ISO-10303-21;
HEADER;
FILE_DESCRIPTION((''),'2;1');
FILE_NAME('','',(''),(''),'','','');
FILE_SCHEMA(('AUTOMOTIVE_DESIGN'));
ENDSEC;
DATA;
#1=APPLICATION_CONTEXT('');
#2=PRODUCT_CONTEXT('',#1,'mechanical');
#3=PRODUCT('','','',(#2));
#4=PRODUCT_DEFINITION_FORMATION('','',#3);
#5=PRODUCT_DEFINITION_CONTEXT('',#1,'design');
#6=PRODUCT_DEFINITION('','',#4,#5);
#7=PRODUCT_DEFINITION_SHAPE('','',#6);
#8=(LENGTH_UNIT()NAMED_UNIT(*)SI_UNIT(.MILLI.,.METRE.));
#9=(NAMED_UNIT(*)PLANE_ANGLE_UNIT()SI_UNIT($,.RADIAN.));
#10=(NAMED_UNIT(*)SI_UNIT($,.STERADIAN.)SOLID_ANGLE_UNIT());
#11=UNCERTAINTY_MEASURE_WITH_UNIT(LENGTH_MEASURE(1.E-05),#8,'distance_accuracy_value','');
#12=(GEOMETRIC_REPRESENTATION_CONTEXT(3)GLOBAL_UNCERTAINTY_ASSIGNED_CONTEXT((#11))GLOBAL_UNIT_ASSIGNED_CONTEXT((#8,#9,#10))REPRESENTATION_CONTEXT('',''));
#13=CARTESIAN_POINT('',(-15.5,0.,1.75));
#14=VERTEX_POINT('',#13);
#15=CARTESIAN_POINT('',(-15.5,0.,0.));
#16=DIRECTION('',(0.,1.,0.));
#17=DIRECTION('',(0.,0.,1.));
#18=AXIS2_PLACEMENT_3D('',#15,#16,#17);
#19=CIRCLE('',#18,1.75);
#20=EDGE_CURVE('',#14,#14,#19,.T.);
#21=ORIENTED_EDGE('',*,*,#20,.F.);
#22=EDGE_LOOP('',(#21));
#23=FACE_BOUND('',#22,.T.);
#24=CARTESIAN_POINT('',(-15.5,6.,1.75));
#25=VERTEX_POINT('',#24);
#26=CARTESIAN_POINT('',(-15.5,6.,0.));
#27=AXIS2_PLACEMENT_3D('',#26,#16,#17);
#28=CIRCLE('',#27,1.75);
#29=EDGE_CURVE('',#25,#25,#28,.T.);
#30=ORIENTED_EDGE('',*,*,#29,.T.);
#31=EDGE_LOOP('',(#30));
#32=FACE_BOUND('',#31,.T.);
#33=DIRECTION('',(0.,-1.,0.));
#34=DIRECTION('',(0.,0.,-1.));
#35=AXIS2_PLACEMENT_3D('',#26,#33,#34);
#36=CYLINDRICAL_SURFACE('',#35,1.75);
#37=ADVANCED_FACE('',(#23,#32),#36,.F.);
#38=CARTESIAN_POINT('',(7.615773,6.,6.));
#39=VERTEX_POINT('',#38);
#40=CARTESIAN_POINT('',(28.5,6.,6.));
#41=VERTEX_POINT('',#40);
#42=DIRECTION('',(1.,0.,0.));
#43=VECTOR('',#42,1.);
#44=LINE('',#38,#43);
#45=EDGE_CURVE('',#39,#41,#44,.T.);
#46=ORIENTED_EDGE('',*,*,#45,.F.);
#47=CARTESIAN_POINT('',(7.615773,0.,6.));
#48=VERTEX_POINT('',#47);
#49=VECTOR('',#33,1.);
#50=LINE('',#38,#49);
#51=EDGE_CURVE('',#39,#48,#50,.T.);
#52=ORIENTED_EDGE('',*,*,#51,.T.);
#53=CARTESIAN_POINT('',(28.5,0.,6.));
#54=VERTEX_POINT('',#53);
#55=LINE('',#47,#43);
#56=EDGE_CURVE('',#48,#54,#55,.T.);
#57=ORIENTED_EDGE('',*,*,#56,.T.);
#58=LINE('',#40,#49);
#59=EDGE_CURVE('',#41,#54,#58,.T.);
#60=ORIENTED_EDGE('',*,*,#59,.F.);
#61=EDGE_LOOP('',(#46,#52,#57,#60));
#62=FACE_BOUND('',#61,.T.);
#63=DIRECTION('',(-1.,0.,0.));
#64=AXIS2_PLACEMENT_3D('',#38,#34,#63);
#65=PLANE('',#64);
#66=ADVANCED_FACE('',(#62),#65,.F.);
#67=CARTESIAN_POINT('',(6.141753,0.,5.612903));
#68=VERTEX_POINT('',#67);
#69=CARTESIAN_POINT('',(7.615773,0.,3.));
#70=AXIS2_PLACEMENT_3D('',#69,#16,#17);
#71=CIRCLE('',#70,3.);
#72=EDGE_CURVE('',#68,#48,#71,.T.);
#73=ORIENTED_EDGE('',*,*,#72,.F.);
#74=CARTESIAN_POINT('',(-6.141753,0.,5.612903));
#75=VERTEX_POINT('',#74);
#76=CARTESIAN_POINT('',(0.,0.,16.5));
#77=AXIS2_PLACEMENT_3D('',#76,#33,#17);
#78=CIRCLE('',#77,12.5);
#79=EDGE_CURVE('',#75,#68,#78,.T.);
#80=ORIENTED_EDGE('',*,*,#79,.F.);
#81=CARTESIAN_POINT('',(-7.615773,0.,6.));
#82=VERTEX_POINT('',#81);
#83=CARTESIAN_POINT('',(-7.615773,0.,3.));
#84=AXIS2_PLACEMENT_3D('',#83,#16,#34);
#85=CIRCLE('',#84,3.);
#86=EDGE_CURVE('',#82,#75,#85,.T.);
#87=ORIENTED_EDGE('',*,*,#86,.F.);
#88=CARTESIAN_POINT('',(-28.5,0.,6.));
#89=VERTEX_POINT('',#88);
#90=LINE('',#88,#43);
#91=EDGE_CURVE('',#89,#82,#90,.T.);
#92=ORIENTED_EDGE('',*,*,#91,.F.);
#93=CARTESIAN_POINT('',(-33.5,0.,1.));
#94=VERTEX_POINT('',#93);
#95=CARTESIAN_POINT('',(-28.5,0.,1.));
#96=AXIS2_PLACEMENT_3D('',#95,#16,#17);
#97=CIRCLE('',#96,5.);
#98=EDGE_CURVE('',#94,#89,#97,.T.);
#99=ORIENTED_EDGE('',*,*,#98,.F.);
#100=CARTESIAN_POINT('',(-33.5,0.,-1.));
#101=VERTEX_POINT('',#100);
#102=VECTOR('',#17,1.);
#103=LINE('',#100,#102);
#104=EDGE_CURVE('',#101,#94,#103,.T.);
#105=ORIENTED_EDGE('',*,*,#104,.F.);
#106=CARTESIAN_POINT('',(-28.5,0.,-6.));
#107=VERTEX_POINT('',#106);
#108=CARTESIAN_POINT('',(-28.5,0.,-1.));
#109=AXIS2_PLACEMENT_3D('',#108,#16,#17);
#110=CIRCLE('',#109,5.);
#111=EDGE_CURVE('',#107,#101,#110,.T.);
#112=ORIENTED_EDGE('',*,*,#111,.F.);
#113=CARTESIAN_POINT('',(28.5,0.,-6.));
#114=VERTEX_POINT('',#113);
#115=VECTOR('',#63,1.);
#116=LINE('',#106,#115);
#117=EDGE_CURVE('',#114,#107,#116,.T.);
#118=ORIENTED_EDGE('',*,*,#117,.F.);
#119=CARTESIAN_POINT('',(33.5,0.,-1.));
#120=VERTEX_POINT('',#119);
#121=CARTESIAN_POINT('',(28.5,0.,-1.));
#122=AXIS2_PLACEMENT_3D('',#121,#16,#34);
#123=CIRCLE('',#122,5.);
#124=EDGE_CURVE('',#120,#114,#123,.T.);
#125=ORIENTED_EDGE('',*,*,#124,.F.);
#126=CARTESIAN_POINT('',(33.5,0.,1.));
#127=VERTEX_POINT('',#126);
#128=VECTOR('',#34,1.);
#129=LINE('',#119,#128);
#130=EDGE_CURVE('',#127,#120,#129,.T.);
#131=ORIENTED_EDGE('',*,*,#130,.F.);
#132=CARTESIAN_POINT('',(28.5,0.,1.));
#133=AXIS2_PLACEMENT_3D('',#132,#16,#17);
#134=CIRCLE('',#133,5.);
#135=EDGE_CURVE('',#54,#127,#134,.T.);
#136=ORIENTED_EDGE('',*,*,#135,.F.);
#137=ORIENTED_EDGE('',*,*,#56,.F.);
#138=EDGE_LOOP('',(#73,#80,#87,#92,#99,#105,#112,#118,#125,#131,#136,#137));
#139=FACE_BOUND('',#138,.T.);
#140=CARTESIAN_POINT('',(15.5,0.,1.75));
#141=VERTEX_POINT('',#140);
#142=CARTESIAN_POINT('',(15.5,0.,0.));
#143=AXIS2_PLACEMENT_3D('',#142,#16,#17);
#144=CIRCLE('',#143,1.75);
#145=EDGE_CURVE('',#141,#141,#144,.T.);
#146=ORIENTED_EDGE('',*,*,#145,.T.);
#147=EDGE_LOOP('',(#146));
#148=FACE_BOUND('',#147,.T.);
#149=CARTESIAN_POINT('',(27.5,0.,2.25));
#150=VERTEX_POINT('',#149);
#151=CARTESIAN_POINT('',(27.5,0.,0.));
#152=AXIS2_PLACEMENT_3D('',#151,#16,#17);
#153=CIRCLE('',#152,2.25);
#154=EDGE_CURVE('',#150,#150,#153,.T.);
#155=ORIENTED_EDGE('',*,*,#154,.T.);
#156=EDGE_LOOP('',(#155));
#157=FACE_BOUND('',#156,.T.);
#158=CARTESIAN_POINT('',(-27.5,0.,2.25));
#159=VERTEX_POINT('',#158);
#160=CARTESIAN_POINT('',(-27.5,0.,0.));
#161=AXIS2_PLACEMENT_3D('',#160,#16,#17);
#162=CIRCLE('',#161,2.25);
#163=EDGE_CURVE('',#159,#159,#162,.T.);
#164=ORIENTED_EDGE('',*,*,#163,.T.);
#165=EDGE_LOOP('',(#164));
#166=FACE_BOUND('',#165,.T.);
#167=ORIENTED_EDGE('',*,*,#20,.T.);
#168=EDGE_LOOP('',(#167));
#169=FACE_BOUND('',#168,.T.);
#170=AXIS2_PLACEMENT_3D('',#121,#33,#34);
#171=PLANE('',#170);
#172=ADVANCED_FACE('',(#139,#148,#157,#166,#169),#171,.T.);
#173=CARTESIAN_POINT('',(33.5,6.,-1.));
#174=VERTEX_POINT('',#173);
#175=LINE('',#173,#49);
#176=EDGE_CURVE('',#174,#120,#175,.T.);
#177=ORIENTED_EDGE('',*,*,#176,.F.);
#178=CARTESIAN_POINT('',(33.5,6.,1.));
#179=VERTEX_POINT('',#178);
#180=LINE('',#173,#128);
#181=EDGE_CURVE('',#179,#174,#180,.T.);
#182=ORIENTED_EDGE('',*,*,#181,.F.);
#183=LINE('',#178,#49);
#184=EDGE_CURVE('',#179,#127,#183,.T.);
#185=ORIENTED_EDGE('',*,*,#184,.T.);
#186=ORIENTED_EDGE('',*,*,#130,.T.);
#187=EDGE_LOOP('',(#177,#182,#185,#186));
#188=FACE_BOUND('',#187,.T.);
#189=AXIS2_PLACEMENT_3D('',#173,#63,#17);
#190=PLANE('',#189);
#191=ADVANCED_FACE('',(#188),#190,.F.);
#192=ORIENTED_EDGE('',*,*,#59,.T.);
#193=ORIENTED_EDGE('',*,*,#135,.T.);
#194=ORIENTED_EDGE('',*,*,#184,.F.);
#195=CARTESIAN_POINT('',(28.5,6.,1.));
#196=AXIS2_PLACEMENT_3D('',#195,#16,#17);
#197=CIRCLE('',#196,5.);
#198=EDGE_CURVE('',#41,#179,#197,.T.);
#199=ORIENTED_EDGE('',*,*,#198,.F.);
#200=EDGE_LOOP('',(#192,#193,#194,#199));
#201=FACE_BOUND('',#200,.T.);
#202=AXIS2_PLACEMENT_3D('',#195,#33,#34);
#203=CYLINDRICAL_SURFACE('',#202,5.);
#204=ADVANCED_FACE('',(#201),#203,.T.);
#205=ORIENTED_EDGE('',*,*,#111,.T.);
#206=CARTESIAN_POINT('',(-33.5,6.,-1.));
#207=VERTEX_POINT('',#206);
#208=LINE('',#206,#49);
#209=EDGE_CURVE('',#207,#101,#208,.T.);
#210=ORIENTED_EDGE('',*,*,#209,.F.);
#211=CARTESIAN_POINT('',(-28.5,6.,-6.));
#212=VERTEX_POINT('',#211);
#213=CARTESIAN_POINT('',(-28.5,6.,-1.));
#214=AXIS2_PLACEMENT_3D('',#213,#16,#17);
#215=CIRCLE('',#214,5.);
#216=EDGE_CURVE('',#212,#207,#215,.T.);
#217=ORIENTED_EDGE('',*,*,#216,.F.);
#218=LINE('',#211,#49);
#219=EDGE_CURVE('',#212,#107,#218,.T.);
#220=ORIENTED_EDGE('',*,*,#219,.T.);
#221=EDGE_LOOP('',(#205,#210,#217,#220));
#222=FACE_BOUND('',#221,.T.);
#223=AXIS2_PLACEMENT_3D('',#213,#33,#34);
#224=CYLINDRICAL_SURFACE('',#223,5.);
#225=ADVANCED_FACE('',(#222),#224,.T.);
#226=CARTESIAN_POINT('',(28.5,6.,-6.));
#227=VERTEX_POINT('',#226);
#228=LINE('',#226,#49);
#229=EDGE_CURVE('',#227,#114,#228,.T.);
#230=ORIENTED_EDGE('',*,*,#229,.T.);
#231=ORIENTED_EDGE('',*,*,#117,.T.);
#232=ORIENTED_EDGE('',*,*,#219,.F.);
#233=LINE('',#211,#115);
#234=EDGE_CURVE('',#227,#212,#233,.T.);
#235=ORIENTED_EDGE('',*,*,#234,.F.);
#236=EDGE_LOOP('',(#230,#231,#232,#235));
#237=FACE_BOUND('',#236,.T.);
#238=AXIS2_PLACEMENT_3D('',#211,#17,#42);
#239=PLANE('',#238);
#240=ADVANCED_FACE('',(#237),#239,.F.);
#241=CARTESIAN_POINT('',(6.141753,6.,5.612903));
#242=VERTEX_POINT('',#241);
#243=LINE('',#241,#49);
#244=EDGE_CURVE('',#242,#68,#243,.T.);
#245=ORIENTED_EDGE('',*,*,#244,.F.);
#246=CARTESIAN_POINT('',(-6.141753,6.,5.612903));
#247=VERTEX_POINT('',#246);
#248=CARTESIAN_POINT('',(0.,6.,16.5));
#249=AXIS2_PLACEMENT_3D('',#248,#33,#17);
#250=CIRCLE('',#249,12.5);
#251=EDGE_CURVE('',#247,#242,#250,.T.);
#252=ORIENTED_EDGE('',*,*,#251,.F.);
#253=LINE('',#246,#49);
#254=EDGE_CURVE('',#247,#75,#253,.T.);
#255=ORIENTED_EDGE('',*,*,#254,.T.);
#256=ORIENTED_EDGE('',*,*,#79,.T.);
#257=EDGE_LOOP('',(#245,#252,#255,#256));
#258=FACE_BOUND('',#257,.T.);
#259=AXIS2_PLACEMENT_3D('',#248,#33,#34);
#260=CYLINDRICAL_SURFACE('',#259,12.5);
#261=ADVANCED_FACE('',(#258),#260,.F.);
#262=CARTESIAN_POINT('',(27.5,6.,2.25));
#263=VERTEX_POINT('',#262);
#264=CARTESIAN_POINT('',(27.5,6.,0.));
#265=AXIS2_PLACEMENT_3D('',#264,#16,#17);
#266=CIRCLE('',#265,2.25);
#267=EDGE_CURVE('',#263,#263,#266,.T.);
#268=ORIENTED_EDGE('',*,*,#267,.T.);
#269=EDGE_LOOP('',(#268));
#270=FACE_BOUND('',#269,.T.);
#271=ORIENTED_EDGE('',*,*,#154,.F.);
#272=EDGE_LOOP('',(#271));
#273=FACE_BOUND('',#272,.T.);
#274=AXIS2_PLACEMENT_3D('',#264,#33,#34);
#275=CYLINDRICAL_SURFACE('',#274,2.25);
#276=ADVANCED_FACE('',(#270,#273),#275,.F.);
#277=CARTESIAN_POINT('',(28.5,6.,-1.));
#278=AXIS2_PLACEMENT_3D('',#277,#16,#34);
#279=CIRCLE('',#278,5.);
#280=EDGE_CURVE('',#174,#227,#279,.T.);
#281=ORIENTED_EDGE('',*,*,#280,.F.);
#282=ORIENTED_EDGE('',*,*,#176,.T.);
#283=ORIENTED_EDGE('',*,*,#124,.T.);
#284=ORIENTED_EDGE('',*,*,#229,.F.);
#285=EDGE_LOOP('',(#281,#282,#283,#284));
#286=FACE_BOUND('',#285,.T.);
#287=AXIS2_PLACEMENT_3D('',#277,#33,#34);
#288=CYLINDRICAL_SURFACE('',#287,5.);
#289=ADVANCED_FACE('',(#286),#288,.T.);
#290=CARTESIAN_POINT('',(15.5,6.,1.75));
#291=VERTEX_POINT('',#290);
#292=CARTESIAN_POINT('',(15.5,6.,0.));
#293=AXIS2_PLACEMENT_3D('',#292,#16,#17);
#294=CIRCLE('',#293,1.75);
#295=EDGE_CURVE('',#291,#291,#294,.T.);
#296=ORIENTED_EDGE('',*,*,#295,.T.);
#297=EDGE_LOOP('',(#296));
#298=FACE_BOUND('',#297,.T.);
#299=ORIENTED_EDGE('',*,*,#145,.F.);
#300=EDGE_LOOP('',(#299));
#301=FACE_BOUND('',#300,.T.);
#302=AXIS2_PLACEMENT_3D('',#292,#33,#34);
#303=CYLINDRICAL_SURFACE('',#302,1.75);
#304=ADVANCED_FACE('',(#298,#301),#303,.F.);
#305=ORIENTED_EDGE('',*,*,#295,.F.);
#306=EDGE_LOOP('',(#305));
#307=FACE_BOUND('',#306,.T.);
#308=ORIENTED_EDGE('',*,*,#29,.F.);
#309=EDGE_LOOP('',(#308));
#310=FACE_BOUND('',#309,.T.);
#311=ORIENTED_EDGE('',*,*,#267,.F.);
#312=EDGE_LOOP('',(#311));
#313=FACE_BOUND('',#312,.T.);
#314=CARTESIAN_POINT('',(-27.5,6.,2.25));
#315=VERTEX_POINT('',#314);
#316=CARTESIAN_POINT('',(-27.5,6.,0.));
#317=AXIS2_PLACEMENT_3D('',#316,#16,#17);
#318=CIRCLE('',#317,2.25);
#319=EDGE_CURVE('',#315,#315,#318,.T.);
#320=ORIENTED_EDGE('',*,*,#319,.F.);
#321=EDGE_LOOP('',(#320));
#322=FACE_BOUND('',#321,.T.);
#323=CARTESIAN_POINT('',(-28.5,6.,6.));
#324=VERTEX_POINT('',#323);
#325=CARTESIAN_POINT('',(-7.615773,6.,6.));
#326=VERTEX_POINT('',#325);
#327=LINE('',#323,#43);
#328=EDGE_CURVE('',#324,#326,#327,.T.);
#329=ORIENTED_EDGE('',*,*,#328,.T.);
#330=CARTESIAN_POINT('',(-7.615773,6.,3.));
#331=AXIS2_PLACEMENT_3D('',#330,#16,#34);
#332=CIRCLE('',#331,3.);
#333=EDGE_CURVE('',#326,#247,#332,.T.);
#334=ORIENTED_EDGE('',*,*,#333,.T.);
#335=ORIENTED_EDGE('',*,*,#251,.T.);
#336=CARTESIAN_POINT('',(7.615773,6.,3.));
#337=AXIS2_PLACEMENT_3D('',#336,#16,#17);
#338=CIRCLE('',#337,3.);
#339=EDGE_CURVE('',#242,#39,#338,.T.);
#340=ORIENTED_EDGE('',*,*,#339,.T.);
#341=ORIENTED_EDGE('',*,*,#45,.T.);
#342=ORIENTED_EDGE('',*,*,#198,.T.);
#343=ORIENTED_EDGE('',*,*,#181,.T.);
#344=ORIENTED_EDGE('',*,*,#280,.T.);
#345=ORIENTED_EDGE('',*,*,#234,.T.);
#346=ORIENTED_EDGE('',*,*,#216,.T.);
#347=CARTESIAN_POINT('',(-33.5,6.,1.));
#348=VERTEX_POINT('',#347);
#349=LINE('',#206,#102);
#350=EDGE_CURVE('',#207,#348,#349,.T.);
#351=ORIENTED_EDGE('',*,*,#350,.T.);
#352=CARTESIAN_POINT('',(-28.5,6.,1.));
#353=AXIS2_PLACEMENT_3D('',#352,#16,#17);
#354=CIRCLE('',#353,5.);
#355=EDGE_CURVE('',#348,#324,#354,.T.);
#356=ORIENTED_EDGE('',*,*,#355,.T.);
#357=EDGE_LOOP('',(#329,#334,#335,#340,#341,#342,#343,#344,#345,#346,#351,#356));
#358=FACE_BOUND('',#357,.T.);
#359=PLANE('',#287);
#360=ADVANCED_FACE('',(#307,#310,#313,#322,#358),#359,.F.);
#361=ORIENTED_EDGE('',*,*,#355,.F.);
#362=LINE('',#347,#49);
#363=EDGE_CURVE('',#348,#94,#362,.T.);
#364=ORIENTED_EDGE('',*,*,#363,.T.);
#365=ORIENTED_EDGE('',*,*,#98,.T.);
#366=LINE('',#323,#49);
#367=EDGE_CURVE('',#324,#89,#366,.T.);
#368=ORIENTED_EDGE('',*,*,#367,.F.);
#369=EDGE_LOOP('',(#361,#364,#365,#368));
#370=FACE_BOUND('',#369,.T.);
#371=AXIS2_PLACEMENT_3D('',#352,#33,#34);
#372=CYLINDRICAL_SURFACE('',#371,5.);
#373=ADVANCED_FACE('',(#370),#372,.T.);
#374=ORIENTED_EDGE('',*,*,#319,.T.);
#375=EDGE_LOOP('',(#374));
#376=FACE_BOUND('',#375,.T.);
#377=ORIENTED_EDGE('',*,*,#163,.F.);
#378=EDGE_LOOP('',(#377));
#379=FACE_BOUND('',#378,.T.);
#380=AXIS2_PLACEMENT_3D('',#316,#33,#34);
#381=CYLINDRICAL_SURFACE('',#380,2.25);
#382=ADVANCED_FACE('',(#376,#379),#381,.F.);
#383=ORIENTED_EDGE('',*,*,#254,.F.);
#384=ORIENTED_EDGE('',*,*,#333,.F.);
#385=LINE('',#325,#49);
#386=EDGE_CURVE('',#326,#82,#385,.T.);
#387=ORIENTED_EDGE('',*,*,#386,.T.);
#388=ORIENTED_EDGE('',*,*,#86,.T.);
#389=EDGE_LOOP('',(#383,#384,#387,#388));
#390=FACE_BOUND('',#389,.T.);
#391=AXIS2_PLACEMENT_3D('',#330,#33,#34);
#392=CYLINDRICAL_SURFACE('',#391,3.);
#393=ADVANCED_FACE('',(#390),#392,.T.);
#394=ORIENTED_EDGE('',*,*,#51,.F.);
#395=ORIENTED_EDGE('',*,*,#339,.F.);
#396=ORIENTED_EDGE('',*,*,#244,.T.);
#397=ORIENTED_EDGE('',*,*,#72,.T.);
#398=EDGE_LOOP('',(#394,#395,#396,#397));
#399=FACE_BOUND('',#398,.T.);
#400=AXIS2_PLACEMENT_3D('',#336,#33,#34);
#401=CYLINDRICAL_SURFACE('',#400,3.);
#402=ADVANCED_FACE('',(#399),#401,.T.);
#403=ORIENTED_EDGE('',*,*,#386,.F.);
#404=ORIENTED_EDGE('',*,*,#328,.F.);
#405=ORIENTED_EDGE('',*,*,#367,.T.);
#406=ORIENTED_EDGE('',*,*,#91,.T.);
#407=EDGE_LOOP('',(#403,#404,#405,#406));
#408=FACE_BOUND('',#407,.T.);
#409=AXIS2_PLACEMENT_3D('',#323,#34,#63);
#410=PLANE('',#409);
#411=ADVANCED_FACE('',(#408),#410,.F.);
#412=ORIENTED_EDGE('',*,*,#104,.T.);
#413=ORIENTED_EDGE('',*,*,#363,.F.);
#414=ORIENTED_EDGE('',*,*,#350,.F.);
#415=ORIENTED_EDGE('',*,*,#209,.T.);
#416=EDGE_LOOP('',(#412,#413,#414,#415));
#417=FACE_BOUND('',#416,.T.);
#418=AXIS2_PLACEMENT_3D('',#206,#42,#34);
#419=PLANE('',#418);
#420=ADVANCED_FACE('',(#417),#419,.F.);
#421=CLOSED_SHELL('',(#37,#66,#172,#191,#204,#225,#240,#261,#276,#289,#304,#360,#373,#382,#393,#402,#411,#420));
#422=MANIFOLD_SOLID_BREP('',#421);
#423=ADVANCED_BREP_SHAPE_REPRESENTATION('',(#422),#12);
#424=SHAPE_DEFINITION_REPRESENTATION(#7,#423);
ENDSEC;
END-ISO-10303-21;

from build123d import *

# Parameters (mm, degrees)
SKETCH1_R           = 1.75
SKETCH1_R_2         = 2.25
BOSS_EXTRUDE1_DEPTH = 6


with BuildPart() as part:
    # Sketch1 → Boss-Extrude1 (new body)
    with BuildSketch(Plane(origin=(0, 0, 0), x_dir=(1, 0, 0), z_dir=(0, 1, 0))):
        with BuildLine():
            Line((-28.5, 6), (28.5, 6))
            ThreePointArc((28.5, 6), (32.035533906, 4.535533906), (33.5, 1))
            Line((33.5, 1), (33.5, -1))
            ThreePointArc((33.5, -1), (32.035533906, -4.535533906), (28.5, -6))
            Line((28.5, -6), (7.615773106, -6))
            ThreePointArc((7.615773106, -6), (6.853772344, -5.901612455), (6.141752505, -5.612903226))
            ThreePointArc((6.141752505, -5.612903226), (0, -4), (-6.141752505, -5.612903226))
            ThreePointArc((-6.141752505, -5.612903226), (-6.853772344, -5.901612455), (-7.615773106, -6))
            Line((-7.615773106, -6), (-28.5, -6))
            ThreePointArc((-28.5, -6), (-32.035533906, -4.535533906), (-33.5, -1))
            Line((-33.5, -1), (-33.5, 1))
            ThreePointArc((-33.5, 1), (-32.035533906, 4.535533906), (-28.5, 6))
        make_face()
        with Locations(Location((-15.5, 0, 0), (0, 0, 270))):
            Circle(SKETCH1_R, mode=Mode.SUBTRACT)
        with Locations(Location((15.5, 0, 0), (0, 0, 270))):
            Circle(SKETCH1_R, mode=Mode.SUBTRACT)
        with Locations(Location((27.5, 0, 0), (0, 0, 270))):
            Circle(SKETCH1_R_2, mode=Mode.SUBTRACT)
        with Locations(Location((-27.5, 0, 0), (0, 0, 270))):
            Circle(SKETCH1_R_2, mode=Mode.SUBTRACT)
    extrude(amount=BOSS_EXTRUDE1_DEPTH)


solid = part.part
